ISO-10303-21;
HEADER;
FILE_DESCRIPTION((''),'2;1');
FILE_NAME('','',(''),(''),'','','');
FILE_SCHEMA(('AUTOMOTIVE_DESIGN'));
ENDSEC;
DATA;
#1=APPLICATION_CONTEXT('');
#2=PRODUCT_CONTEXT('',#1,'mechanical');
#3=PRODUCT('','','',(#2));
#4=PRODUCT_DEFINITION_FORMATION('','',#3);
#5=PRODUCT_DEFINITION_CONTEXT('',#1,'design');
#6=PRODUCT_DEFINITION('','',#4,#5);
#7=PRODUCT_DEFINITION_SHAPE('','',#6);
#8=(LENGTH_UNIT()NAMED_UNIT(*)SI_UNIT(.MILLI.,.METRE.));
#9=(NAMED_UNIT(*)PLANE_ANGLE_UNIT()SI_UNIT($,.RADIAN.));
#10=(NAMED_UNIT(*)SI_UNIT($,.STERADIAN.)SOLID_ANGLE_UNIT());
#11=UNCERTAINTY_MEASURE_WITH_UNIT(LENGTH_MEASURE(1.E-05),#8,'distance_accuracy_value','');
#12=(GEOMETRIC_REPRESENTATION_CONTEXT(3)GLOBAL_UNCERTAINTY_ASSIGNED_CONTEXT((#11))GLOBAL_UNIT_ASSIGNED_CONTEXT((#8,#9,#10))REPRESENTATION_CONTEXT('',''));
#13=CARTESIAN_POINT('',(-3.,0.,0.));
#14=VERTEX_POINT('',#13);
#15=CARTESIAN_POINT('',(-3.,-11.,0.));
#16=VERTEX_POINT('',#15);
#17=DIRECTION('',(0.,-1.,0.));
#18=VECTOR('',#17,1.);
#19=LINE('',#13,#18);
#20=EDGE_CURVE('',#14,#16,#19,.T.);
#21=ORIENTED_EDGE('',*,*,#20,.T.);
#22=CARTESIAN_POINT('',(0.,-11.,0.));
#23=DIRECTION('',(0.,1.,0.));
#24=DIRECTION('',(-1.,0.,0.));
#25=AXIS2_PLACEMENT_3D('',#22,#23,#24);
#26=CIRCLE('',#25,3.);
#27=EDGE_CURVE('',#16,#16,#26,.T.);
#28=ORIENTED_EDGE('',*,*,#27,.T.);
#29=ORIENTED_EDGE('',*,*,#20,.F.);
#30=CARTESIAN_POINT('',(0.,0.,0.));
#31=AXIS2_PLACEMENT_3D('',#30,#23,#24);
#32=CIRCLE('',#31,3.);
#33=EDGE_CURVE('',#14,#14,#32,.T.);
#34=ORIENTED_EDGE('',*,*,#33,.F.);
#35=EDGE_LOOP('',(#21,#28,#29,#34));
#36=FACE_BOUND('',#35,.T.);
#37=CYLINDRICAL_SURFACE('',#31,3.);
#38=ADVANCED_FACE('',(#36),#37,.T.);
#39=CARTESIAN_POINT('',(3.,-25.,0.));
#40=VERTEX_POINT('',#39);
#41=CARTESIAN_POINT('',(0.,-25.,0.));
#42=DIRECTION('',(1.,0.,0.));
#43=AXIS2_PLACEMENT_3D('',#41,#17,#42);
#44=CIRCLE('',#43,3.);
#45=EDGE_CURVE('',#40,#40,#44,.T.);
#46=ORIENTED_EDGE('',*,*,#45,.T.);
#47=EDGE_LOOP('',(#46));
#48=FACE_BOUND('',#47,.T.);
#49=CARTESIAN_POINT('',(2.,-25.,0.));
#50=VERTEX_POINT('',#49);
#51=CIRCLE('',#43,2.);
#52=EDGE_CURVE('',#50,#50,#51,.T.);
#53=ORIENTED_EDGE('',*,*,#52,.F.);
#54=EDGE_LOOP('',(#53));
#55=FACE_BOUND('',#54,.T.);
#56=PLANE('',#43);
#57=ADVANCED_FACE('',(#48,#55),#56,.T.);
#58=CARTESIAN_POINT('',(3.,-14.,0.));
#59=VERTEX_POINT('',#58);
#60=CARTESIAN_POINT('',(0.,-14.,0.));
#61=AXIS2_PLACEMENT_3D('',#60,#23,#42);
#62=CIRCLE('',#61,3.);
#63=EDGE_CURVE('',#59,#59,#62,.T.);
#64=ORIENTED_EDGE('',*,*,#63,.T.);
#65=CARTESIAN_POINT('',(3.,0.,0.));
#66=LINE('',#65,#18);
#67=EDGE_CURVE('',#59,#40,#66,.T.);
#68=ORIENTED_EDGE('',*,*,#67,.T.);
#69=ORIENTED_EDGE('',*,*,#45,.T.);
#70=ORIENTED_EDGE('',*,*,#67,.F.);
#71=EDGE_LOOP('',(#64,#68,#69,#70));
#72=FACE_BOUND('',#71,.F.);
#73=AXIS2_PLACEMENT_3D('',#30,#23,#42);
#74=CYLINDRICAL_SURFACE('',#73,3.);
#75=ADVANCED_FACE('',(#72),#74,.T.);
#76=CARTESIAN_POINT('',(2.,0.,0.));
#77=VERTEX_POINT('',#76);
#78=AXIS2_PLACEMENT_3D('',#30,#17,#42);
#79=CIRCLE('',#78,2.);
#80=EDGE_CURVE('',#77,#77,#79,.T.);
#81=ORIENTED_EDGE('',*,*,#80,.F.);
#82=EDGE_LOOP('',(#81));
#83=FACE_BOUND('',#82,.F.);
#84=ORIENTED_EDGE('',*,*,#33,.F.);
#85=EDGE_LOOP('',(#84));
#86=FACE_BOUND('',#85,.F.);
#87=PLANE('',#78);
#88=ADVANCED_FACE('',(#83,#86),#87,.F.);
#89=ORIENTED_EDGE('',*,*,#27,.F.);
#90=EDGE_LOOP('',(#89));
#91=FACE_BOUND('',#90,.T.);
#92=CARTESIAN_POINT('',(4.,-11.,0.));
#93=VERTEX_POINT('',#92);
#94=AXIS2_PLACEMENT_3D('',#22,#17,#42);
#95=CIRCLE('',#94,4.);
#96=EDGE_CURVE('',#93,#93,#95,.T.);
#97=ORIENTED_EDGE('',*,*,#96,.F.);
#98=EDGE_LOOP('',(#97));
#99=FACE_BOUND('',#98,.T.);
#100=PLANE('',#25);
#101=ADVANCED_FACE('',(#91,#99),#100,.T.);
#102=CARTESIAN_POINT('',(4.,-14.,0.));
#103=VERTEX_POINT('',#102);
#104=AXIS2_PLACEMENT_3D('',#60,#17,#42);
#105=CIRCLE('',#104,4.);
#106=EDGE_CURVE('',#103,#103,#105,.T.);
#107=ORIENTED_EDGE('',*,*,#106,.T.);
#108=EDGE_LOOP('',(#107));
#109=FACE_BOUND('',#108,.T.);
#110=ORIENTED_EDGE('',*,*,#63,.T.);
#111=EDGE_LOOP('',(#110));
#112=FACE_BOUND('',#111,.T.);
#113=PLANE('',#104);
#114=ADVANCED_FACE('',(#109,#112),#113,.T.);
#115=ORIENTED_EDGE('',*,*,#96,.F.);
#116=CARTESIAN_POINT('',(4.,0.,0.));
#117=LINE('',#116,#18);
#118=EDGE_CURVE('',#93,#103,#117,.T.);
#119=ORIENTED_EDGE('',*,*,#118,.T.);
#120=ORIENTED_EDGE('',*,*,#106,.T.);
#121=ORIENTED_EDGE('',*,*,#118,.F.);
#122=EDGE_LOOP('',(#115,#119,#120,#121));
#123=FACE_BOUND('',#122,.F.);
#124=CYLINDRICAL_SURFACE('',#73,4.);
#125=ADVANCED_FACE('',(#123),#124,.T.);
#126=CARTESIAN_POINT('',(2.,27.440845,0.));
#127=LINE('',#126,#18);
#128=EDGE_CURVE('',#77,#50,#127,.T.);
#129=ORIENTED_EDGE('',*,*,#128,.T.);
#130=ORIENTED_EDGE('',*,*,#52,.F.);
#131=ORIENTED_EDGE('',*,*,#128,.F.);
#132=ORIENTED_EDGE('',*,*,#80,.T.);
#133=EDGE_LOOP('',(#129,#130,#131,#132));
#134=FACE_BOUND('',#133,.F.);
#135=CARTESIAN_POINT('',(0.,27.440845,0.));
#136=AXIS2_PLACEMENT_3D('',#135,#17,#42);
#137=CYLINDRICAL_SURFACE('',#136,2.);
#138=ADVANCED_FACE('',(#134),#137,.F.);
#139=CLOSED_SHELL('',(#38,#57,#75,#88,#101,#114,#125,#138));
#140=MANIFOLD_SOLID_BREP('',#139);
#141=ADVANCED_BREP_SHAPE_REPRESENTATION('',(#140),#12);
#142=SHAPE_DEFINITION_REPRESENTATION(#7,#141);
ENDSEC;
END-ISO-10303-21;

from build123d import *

# Parameters (mm, degrees)
F1_R     = 3
F2_DEPTH = 25
F0_R     = 4
F3_DEPTH = 14
F4_R     = 4
F4_R_2   = 3
F5_DEPTH = 11
F7_D     = 4


with BuildPart() as f2:
    # F1 (on Front) → F2 (new body)
    with BuildSketch(Plane.XZ):
        Circle(F1_R)
    extrude(amount=F2_DEPTH)

    # F0 (on Front) → F3 (join)
    with BuildSketch(Plane.XZ):
        Circle(F0_R)
    extrude(amount=F3_DEPTH)

    # F4 (on face) → F5 (cut)
    with BuildSketch(Plane(origin=(0, 0, 0), x_dir=(-1, 0, 0), z_dir=(0, 1, 0))):
        Circle(F4_R)
        Circle(F4_R_2, mode=Mode.SUBTRACT)
    extrude(amount=-F5_DEPTH, mode=Mode.SUBTRACT)

    # F7 (through all)
    with Locations(Plane(origin=(0, 0, 0), x_dir=(-1, 0, 0), z_dir=(0, 1, 0))):
        with Locations((0, 0)):
            Hole(F7_D / 2)


solid = f2.part
